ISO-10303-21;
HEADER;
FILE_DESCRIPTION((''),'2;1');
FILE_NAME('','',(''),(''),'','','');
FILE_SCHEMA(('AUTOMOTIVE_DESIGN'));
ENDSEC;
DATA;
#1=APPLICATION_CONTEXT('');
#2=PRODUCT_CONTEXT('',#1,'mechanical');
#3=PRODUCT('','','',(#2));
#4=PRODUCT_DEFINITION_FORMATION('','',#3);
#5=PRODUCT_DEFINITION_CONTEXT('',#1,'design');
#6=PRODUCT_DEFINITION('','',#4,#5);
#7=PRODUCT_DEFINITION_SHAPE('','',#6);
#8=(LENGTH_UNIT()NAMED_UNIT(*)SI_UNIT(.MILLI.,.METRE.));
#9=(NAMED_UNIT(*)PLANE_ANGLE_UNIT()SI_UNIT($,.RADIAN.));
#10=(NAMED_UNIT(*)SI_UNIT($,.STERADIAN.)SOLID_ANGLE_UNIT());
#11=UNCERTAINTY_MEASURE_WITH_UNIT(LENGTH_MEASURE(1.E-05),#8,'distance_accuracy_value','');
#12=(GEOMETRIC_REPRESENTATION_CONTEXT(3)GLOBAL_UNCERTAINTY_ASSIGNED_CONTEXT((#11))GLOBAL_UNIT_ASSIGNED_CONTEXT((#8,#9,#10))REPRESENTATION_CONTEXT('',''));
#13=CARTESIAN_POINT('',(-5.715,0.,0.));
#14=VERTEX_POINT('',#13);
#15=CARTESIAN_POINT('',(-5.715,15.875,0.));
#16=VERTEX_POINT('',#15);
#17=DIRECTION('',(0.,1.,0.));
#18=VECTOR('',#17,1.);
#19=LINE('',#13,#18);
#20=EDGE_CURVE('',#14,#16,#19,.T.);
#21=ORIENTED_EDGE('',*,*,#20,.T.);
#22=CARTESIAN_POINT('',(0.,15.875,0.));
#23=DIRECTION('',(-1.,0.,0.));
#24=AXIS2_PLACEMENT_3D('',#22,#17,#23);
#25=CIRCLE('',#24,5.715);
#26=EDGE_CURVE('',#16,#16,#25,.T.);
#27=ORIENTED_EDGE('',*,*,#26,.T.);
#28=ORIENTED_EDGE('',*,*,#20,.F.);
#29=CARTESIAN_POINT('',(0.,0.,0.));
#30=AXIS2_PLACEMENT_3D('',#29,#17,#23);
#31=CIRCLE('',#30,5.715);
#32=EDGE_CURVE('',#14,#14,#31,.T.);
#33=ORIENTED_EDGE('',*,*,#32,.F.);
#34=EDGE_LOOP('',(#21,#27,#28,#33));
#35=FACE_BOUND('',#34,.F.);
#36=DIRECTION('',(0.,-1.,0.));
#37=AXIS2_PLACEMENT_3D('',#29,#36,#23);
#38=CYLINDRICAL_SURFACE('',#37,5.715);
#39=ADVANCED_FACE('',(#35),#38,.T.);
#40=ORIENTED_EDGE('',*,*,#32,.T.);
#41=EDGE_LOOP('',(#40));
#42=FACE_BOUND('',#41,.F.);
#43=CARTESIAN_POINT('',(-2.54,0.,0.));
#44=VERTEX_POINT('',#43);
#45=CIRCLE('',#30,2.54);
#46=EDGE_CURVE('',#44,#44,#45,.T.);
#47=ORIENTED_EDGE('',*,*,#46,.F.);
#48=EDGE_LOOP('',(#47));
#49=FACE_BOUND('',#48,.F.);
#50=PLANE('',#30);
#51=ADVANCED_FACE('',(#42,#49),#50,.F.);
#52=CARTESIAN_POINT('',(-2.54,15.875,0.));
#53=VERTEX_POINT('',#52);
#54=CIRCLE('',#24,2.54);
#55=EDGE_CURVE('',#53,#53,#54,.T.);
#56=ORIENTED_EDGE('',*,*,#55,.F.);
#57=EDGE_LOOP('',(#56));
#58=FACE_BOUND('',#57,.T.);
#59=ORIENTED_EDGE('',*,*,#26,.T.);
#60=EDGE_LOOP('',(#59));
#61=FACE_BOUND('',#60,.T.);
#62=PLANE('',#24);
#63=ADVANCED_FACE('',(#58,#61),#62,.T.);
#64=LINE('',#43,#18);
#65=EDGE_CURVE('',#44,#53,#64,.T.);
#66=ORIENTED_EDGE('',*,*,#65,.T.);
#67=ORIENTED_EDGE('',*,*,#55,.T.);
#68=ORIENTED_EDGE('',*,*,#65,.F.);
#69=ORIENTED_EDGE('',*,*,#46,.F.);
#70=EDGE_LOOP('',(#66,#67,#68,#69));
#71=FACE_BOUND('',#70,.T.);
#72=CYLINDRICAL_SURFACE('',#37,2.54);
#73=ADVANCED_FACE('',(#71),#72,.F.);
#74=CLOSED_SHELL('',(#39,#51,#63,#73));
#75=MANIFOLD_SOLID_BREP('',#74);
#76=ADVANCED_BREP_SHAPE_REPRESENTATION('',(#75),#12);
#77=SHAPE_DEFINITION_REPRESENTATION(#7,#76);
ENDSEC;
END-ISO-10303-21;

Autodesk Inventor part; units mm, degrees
ref_plane "YZ Plane" through (0, 0, 0) normal (1, 0, 0) x (0, 1, 0)
ref_plane "XZ Plane" through (0, 0, 0) normal (0, 1, 0) x (-1, 0, 0)
ref_plane "XY Plane" through (0, 0, 0) normal (0, 0, 1) x (1, 0, 0)
sketch "Sketch1" plane through (0, 0, 0) normal (0, 1, 0) x (-1, 0, 0)
  circle A0 centre (0, 0) radius 2.54
  circle A1 centre (0, 0) radius 5.715
  dimension "d0" = 5.08
  dimension "d1" = 3.175
extrude "Extrusion1" add sketch "Sketch1" along normal blind 15.875
properties part number "Spacer" material "ABS Plastic"
